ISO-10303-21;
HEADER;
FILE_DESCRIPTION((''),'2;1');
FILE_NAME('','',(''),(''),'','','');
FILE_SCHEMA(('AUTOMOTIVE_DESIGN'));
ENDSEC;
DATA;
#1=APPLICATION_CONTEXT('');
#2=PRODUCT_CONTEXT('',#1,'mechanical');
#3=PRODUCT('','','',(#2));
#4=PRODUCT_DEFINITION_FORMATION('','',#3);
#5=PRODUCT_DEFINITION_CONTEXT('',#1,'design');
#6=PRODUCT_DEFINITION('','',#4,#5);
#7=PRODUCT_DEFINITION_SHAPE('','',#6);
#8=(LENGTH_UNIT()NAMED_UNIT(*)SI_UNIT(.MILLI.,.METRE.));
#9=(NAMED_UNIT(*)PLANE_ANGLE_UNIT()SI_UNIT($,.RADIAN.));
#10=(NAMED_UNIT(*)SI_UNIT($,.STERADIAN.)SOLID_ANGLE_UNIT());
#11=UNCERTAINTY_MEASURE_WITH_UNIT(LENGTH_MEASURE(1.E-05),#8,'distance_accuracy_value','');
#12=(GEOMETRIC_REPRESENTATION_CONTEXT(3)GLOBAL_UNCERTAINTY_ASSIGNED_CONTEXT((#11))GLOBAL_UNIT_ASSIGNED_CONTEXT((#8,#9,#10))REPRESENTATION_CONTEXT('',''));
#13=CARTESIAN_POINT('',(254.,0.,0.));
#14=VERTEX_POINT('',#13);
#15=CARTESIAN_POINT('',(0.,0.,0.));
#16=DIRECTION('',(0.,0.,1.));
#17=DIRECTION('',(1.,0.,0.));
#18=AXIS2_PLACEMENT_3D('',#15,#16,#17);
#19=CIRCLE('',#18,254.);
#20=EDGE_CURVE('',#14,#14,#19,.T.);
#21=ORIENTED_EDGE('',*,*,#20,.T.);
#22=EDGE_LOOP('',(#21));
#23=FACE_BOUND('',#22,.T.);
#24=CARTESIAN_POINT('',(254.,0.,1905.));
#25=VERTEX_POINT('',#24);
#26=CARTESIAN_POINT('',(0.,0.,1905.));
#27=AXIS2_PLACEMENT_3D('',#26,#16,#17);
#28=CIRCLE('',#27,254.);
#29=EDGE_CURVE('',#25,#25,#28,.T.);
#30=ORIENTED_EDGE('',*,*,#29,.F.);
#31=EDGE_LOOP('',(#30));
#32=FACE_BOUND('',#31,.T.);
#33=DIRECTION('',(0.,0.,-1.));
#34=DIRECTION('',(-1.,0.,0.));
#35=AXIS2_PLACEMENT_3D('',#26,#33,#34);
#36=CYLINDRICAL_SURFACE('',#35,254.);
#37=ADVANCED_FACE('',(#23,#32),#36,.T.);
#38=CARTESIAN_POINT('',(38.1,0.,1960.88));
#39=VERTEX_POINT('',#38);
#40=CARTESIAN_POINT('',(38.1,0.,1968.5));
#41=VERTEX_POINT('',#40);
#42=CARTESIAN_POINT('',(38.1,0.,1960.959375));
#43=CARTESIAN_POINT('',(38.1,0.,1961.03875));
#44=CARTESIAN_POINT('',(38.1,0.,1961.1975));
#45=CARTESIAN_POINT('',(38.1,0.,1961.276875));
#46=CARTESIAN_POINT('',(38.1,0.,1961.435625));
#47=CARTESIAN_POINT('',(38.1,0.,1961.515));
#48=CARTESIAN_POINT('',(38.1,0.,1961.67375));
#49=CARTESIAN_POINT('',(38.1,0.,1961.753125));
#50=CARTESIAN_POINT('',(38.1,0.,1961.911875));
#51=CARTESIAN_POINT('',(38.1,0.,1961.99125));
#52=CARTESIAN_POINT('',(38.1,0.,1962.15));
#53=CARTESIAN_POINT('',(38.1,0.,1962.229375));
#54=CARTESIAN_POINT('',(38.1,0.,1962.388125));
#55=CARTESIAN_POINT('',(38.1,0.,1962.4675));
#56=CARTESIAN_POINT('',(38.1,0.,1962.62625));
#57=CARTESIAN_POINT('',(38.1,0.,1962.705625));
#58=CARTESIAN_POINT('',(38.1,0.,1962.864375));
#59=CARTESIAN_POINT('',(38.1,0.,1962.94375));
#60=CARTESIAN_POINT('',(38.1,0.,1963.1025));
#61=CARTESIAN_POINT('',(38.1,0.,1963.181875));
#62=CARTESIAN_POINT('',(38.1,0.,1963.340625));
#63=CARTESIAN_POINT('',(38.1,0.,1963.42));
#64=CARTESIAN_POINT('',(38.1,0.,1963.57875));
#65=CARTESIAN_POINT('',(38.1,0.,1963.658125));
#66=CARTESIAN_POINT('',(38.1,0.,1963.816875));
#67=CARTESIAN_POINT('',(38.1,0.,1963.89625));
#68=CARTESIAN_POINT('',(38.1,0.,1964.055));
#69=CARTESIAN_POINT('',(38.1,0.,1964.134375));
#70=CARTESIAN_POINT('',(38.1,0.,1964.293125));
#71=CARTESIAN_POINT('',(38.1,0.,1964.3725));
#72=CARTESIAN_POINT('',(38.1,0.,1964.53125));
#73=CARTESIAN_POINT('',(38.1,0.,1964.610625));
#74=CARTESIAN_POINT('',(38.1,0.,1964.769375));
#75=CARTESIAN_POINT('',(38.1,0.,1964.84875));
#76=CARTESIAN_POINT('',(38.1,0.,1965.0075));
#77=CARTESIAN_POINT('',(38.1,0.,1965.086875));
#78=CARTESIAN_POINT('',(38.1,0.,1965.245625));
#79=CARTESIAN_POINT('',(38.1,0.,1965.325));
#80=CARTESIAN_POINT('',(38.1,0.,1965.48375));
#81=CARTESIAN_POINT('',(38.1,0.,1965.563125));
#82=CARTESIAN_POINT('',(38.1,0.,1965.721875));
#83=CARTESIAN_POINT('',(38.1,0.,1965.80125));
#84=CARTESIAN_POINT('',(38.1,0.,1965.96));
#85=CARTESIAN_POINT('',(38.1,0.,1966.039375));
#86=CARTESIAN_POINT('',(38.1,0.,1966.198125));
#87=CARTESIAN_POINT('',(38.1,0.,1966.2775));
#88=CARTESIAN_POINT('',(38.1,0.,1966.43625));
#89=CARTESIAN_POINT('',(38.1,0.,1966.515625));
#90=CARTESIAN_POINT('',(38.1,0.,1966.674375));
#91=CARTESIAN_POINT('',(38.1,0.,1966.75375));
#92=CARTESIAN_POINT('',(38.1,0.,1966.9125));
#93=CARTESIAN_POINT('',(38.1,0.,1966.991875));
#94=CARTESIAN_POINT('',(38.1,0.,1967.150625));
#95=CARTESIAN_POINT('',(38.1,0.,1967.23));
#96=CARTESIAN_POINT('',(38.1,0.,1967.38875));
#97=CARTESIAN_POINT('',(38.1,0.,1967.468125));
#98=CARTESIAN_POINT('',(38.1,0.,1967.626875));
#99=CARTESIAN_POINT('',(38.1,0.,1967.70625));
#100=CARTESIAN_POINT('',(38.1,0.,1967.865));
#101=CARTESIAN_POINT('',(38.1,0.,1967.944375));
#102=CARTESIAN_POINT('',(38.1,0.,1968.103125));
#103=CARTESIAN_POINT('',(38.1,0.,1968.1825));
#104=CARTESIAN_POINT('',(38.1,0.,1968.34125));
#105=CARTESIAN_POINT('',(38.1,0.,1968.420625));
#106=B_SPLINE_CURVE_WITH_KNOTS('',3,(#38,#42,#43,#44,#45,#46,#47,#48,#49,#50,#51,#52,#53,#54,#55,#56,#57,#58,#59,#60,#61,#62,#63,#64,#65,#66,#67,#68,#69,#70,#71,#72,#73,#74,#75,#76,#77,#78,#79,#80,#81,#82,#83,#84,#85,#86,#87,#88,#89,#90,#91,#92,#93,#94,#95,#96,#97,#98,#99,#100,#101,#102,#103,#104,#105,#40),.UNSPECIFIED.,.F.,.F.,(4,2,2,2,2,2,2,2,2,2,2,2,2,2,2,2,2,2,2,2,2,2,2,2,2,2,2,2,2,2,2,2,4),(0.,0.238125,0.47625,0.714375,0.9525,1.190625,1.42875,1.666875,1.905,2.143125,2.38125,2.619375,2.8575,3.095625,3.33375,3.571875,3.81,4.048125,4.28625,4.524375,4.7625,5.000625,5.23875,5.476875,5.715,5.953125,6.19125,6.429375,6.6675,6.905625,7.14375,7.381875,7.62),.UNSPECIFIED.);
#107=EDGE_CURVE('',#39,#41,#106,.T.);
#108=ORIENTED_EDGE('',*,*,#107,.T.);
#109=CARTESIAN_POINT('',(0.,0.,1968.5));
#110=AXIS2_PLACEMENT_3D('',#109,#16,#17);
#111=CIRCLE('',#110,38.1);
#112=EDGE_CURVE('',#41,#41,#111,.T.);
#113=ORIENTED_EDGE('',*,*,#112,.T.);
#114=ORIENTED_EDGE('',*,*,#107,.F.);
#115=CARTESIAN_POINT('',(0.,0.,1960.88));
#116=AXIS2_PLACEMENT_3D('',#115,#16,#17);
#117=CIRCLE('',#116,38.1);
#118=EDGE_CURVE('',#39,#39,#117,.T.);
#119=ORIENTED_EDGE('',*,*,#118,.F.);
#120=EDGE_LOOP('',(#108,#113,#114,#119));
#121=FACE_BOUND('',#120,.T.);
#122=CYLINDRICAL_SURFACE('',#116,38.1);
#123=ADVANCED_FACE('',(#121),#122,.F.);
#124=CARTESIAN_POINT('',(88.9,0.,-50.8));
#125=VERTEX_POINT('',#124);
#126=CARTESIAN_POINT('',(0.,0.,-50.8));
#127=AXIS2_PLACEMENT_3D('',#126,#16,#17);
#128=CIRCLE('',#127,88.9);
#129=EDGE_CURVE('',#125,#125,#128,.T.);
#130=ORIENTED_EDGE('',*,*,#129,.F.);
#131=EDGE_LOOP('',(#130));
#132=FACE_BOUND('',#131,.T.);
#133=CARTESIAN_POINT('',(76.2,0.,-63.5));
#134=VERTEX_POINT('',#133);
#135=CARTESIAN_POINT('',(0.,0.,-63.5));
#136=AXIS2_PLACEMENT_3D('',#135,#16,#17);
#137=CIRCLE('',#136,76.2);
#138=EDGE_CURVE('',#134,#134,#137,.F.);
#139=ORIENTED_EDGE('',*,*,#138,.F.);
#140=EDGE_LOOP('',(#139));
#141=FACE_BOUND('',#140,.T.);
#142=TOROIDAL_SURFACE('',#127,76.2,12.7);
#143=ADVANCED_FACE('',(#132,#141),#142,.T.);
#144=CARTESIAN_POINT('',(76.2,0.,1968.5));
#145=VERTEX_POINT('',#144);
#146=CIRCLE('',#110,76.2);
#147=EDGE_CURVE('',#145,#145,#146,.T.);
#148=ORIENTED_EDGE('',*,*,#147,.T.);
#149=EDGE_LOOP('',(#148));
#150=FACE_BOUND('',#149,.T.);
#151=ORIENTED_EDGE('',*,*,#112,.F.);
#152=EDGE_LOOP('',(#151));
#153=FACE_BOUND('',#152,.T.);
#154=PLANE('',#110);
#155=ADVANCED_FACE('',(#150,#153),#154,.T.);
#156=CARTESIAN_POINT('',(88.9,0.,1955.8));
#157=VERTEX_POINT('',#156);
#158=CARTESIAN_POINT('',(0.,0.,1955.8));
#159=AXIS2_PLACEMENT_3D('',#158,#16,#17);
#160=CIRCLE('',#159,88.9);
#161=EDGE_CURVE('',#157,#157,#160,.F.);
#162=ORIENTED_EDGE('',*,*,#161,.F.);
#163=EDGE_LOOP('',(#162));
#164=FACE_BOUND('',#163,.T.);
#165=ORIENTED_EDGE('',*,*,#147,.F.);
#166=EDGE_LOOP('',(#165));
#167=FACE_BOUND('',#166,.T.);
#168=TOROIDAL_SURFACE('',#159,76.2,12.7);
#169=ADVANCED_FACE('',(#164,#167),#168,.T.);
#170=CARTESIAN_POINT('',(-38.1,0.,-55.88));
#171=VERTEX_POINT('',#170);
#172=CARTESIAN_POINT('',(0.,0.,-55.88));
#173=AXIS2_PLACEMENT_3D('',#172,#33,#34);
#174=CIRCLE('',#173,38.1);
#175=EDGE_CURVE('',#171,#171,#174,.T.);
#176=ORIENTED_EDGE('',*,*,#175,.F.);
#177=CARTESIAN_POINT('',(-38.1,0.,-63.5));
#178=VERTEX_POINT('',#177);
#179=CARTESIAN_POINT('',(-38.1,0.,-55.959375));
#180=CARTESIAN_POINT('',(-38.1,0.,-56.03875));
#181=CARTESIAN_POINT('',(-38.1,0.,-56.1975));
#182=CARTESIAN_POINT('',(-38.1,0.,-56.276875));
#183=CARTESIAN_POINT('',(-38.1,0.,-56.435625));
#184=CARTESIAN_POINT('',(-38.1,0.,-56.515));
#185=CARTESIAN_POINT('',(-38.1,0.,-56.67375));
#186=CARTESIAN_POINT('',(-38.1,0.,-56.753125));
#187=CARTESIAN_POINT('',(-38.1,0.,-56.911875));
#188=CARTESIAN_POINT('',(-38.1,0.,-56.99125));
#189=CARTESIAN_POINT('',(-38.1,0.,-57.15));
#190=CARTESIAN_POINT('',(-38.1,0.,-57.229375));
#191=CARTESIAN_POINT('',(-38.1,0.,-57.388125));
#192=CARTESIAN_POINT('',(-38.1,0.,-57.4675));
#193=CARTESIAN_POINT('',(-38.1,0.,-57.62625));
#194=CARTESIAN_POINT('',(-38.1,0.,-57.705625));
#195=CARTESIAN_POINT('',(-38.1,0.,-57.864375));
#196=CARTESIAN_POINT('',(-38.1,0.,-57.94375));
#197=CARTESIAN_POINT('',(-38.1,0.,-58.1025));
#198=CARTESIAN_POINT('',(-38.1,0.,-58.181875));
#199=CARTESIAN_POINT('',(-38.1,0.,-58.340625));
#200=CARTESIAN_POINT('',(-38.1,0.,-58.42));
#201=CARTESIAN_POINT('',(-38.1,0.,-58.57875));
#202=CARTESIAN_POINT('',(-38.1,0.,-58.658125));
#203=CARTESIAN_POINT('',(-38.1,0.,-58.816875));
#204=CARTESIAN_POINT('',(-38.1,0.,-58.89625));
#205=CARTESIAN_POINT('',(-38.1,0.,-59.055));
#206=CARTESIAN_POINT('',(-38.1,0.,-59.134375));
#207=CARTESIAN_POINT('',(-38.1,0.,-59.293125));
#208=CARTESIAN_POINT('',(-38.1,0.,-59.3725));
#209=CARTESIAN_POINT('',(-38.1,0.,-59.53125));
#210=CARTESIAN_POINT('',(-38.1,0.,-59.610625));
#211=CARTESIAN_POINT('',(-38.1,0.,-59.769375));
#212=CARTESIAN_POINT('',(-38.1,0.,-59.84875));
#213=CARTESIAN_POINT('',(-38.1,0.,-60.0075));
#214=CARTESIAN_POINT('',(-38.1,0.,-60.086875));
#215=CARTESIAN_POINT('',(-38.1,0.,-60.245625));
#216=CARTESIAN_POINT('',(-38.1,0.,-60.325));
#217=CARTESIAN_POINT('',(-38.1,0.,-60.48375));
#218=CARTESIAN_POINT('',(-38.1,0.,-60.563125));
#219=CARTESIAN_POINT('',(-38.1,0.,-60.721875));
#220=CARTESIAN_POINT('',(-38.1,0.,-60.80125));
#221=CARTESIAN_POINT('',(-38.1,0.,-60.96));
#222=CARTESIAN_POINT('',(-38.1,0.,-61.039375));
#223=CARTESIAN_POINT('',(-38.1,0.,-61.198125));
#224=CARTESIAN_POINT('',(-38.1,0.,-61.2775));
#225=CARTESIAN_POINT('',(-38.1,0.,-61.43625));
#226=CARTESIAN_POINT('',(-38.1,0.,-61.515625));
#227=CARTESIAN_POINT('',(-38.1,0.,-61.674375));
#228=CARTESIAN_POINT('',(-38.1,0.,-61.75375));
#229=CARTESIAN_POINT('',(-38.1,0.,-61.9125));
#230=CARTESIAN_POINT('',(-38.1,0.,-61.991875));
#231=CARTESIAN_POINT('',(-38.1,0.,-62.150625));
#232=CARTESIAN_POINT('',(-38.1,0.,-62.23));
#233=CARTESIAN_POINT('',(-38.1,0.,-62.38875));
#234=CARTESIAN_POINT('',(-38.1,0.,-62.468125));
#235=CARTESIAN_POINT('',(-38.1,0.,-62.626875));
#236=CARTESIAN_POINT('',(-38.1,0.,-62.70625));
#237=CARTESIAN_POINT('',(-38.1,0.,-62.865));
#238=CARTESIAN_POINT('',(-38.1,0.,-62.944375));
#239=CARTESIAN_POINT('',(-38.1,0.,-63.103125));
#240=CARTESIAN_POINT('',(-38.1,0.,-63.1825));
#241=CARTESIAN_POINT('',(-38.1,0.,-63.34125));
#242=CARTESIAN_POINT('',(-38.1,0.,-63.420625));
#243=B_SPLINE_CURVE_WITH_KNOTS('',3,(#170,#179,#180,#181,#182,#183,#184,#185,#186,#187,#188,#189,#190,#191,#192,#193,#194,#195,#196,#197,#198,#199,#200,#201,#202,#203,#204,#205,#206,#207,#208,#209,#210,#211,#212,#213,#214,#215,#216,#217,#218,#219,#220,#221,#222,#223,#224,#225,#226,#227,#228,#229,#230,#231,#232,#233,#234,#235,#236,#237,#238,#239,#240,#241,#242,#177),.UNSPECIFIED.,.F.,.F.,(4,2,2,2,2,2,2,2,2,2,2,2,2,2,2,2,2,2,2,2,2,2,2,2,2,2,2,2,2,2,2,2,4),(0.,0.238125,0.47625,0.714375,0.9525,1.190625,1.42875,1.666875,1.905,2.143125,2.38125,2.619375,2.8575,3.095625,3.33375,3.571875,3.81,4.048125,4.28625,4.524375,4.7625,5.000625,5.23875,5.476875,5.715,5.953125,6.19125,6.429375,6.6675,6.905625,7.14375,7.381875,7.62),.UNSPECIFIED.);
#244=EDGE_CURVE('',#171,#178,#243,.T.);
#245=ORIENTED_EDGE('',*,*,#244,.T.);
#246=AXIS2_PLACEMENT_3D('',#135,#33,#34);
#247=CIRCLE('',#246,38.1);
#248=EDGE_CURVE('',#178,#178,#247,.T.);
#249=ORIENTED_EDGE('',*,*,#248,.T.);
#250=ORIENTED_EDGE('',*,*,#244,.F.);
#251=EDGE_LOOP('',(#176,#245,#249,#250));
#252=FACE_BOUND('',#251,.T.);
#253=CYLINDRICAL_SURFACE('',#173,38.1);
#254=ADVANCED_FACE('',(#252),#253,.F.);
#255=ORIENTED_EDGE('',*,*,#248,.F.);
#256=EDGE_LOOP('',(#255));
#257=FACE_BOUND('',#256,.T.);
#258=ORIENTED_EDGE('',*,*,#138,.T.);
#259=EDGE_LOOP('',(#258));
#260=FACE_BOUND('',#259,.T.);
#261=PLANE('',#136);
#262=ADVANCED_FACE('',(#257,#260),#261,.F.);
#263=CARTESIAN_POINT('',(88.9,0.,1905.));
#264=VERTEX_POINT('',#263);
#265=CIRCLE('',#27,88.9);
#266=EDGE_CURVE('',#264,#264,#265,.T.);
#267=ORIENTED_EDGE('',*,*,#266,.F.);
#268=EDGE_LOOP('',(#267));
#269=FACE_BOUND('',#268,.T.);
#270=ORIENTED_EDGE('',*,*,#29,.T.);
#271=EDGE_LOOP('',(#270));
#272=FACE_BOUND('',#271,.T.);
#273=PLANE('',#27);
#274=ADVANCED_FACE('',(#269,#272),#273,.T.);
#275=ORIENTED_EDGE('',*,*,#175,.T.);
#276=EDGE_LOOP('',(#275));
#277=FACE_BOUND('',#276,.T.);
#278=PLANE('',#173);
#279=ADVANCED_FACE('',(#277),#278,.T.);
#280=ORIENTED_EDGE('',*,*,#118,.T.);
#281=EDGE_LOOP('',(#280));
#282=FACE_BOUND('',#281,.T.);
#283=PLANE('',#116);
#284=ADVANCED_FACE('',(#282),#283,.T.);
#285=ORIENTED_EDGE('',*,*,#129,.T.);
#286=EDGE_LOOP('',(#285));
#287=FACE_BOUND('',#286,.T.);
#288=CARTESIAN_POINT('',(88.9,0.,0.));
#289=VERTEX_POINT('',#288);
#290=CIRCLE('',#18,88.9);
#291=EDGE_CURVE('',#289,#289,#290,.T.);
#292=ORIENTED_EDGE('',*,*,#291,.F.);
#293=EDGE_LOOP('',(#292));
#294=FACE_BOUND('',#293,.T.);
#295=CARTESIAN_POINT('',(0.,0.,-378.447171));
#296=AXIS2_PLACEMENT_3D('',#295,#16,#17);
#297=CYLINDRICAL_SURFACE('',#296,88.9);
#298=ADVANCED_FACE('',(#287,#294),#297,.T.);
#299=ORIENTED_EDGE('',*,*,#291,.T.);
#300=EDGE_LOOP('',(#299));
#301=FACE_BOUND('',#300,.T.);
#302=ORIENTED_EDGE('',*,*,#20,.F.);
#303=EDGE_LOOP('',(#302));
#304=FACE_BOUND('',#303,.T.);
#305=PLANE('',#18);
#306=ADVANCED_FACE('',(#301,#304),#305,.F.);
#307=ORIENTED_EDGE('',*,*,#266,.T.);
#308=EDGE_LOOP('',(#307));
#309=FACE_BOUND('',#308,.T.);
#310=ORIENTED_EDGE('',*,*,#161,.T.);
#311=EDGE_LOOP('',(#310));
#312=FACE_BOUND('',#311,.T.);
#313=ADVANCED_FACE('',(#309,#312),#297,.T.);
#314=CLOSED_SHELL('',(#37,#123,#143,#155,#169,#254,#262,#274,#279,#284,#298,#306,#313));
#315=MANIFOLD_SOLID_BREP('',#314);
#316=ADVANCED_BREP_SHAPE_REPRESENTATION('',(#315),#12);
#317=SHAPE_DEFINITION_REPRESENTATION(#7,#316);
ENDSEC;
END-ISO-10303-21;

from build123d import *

# Parameters (mm, degrees)
SKETCH2_R                = 254
BOSS_EXTRUDE2_DEPTH      = 1905
BOSS_EXTRUDE3_DEPTH      = 63.5
BOSS_EXTRUDE3_DEPTH_BACK = 1968.5
SKETCH3_R                = 88.9
FILLET1_R                = 12.7
SKETCH4_R                = 38.1
CUT_EXTRUDE1_DEPTH       = 7.62
CUT_EXTRUDE2_START       = -7.62
SKETCH5_R                = 38.1
CUT_EXTRUDE2_DEPTH       = 7.62


with BuildPart() as part:
    # Sketch2 → Boss-Extrude2 (new body)
    with BuildSketch(Plane.XY):
        Circle(SKETCH2_R)
    extrude(amount=BOSS_EXTRUDE2_DEPTH)

    # Sketch3 → Boss-Extrude3 (add, two sides: drawn at the far end of the back side and taken through both)
    with BuildSketch(Plane.XY.offset(1905).offset(-BOSS_EXTRUDE3_DEPTH_BACK)):
        Circle(SKETCH3_R)
    extrude(amount=BOSS_EXTRUDE3_DEPTH + BOSS_EXTRUDE3_DEPTH_BACK)

    # Fillet1
    fillet1_edges = [part.edges().sort_by_distance(p)[0] for p in [
        (-88.9, 0, -63.5),
        (-88.9, 0, 1968.5),
    ]]
    fillet(fillet1_edges, radius=FILLET1_R)

    # Sketch4 → Cut-Extrude1 (cut)
    with BuildSketch(Plane(origin=(0, 0, -63.5), x_dir=(-1, 0, 0), z_dir=(0, 0, -1))):
        Circle(SKETCH4_R)
    extrude(amount=-CUT_EXTRUDE1_DEPTH, mode=Mode.SUBTRACT)

    # Sketch5 → Cut-Extrude2 (cut)
    with BuildSketch(Plane.XY.offset(1968.5).offset(CUT_EXTRUDE2_START)):
        with Locations(Location((0, 0, 0), (0, 0, 180))):
            Circle(SKETCH5_R)
    extrude(amount=CUT_EXTRUDE2_DEPTH, mode=Mode.SUBTRACT)


solid = part.part
